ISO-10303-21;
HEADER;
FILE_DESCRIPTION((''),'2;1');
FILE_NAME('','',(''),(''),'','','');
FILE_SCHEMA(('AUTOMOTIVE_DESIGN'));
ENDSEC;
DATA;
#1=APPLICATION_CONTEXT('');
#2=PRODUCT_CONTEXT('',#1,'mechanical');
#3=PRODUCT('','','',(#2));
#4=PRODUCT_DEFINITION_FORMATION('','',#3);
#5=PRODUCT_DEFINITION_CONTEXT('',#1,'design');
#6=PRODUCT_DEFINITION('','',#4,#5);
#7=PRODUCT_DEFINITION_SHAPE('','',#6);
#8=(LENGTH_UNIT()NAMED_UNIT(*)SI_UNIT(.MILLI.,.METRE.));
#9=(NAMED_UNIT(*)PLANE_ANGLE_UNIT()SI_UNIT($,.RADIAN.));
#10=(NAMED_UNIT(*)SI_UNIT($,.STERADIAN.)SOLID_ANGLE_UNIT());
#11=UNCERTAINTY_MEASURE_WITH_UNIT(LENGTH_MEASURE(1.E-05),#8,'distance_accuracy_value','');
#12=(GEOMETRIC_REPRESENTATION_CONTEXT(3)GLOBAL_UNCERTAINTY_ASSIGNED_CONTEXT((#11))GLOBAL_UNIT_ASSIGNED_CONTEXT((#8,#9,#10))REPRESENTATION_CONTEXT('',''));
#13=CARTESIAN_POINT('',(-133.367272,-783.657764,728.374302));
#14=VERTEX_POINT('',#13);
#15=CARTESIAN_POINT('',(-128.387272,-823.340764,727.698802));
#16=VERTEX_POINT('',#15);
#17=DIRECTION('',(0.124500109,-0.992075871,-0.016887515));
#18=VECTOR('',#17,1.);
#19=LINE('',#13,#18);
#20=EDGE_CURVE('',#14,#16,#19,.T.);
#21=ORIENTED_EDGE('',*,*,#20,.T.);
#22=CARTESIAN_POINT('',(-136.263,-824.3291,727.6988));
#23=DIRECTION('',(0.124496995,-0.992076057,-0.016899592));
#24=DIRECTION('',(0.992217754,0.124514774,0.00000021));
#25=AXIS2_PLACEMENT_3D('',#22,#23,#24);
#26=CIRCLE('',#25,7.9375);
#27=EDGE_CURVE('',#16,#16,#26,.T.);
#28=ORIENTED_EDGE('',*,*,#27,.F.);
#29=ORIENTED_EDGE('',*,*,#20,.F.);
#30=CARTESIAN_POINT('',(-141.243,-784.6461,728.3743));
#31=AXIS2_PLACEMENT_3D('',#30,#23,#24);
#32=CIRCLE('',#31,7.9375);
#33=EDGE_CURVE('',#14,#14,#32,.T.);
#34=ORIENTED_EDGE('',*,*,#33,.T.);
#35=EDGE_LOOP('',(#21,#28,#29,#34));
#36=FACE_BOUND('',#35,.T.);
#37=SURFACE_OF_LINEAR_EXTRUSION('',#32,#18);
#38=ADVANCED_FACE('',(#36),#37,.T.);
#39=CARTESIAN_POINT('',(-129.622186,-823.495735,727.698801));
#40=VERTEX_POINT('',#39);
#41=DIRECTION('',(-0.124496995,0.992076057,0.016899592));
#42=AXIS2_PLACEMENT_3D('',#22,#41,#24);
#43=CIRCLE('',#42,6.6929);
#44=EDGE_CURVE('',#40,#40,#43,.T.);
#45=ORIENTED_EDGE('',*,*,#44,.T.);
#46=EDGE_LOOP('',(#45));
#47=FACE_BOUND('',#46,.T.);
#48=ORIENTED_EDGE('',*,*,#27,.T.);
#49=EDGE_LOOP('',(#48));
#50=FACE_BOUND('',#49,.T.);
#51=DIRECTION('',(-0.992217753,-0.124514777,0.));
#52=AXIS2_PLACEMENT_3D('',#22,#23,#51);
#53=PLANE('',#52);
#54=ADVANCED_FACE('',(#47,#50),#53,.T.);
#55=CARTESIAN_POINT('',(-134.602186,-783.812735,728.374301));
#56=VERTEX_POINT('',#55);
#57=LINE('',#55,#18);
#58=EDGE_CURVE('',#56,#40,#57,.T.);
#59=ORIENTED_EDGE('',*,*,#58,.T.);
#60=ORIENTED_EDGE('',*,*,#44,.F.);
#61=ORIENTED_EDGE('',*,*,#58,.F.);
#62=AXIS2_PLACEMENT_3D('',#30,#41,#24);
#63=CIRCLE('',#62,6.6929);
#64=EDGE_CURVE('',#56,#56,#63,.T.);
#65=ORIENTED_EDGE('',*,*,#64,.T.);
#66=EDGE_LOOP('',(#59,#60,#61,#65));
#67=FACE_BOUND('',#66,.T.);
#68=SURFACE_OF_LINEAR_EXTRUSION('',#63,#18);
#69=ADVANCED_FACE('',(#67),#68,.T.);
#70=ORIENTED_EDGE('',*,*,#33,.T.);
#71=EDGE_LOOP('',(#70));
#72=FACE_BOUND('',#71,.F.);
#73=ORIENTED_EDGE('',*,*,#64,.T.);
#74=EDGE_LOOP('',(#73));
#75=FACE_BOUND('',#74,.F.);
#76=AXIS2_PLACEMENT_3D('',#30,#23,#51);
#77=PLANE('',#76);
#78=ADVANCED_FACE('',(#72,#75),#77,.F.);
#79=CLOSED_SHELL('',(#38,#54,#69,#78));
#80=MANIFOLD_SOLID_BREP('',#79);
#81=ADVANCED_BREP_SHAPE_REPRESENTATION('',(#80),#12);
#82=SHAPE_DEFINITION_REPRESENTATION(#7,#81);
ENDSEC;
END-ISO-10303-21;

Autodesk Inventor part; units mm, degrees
ref_plane "YZ Plane" through (0, 0, 0) normal (1, 0, 0) x (0, 1, 0)
ref_plane "XZ Plane" through (0, 0, 0) normal (0, 1, 0) x (-1, 0, 0)
ref_plane "Work Plane5" through (-141.243, -784.6461, 728.3743) normal (0.1245, -0.9921, -0.0169) x (0.9922, 0.1245, 0)
sketch "Sketch7" plane through (-141.243, -784.6461, 728.3743) normal (0.1245, -0.9921, -0.0169) x (0.9922, 0.1245, 0)
  circle A0 centre (0, 0) radius 7.9375
  circle A1 centre (0, 0) radius 6.6929
sketch3d "3D Sketch5"
  line L0 (-141.243, -784.6461, 728.3743) -> (-136.263, -824.3291, 727.6988)
sweep "Sweep5" add profiles "Sketch7" path "3D Sketch5"
equation "\"OD\" = 15.875"
equation "\"t\" = 1.2446"
equation "\"L\" = PL"
equation "\"ID\" = 13.3858"
equation "\"PL\" = 40.005"
equation "\"Size_Designation\" = 1.2345"
properties material "Copper"
